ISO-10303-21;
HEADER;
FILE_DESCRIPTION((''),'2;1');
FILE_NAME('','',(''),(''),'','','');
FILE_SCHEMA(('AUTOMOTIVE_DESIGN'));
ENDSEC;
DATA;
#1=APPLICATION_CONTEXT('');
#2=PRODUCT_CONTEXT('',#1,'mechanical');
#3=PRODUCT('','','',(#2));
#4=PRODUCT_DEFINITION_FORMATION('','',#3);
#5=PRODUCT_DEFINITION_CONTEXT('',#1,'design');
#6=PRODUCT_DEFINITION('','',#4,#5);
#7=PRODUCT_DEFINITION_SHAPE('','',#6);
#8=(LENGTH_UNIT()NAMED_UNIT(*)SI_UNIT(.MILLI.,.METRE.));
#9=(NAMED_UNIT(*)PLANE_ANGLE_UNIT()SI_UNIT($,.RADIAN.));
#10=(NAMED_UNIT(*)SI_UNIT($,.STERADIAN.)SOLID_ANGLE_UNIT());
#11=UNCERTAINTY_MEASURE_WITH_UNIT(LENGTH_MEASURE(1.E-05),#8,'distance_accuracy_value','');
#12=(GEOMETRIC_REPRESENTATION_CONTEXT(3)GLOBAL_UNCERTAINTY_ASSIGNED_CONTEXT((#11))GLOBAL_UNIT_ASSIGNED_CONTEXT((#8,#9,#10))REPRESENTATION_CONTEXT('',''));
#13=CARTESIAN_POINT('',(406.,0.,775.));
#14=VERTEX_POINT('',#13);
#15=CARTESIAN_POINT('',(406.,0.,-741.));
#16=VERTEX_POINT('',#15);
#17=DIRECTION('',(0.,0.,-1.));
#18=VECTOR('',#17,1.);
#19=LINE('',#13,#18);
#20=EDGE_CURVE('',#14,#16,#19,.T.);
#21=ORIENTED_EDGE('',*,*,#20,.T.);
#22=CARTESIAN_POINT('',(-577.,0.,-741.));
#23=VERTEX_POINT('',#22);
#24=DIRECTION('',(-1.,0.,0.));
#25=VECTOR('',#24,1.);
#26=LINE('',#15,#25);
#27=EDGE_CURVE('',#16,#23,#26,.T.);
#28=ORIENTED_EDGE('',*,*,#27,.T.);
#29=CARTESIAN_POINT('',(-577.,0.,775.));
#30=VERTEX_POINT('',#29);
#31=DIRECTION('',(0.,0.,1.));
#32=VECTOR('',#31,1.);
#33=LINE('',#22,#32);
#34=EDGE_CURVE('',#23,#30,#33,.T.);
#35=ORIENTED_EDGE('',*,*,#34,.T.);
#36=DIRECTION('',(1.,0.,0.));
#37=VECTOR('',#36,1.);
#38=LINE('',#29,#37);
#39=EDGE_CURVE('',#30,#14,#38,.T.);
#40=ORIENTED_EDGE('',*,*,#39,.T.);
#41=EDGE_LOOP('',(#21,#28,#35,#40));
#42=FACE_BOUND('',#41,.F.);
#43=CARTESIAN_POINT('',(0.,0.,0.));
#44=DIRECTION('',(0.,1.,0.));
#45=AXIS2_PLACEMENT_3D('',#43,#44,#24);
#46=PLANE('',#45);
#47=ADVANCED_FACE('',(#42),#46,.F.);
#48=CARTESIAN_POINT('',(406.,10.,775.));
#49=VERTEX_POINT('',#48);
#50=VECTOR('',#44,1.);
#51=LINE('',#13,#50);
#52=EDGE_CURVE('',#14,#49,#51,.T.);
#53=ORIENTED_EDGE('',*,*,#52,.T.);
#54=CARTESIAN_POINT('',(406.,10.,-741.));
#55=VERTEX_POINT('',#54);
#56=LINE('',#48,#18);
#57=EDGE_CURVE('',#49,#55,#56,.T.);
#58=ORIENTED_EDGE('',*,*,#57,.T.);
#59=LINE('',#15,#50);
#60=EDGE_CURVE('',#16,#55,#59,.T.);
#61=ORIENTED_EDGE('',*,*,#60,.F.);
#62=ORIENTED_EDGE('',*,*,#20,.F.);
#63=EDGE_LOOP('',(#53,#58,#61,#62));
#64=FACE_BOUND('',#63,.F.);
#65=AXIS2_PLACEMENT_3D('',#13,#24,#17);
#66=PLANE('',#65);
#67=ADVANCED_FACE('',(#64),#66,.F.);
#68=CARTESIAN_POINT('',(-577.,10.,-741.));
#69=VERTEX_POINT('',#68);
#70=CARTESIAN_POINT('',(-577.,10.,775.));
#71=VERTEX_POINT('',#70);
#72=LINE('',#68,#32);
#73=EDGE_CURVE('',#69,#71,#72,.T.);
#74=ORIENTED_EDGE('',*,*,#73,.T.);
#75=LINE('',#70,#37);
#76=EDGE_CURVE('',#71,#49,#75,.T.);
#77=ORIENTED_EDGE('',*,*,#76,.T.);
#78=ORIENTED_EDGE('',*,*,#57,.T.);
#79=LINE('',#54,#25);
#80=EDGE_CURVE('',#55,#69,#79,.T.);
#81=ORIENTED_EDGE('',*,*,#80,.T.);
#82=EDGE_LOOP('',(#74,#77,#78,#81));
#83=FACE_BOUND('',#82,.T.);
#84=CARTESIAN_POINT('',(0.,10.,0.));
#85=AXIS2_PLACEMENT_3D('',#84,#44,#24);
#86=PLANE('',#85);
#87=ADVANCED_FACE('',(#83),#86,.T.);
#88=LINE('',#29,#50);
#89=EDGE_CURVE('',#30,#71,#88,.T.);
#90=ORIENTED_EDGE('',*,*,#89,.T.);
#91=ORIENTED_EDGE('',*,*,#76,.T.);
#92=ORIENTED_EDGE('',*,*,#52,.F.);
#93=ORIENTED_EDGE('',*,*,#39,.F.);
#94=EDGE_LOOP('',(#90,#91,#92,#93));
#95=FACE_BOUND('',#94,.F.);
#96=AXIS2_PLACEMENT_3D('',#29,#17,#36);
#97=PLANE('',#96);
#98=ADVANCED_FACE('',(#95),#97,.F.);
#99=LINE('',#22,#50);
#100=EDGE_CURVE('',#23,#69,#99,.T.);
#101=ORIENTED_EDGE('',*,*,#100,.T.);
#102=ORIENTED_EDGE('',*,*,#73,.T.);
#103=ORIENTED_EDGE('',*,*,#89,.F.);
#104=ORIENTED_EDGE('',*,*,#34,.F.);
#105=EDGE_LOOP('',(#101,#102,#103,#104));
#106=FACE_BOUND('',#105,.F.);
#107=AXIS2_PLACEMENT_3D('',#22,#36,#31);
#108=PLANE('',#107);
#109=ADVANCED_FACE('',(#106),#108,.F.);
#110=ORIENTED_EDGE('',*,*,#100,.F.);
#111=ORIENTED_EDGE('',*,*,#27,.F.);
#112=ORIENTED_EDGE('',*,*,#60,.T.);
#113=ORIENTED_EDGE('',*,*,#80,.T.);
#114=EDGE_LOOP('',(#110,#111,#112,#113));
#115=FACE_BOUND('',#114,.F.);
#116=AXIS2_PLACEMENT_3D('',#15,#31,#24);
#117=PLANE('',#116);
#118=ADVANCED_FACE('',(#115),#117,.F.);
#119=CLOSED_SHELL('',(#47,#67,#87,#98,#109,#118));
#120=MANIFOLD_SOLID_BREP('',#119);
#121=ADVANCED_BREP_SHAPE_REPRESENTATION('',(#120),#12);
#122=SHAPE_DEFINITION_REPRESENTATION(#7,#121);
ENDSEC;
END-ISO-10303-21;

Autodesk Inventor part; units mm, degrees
ref_plane "YZ Plane" through (0, 0, 0) normal (1, 0, 0) x (0, 1, 0)
ref_plane "XZ Plane" through (0, 0, 0) normal (0, 1, 0) x (-1, 0, 0)
ref_plane "XY Plane" through (0, 0, 0) normal (0, 0, 1) x (1, 0, 0)
sketch "Sketch1" plane through (0, 0, 0) normal (0, 1, 0) x (-1, 0, 0)
  line L0 (577, 775) -> (-406, 775)
  line L1 (-406, 775) -> (-406, -741)
  line L2 (-406, -741) -> (577, -741)
  line L3 (577, -741) -> (577, 775)
  point P0 (0, 0)
extrude "Extrusion1" add sketch "Sketch1" along normal blind 10
properties part number "table"
